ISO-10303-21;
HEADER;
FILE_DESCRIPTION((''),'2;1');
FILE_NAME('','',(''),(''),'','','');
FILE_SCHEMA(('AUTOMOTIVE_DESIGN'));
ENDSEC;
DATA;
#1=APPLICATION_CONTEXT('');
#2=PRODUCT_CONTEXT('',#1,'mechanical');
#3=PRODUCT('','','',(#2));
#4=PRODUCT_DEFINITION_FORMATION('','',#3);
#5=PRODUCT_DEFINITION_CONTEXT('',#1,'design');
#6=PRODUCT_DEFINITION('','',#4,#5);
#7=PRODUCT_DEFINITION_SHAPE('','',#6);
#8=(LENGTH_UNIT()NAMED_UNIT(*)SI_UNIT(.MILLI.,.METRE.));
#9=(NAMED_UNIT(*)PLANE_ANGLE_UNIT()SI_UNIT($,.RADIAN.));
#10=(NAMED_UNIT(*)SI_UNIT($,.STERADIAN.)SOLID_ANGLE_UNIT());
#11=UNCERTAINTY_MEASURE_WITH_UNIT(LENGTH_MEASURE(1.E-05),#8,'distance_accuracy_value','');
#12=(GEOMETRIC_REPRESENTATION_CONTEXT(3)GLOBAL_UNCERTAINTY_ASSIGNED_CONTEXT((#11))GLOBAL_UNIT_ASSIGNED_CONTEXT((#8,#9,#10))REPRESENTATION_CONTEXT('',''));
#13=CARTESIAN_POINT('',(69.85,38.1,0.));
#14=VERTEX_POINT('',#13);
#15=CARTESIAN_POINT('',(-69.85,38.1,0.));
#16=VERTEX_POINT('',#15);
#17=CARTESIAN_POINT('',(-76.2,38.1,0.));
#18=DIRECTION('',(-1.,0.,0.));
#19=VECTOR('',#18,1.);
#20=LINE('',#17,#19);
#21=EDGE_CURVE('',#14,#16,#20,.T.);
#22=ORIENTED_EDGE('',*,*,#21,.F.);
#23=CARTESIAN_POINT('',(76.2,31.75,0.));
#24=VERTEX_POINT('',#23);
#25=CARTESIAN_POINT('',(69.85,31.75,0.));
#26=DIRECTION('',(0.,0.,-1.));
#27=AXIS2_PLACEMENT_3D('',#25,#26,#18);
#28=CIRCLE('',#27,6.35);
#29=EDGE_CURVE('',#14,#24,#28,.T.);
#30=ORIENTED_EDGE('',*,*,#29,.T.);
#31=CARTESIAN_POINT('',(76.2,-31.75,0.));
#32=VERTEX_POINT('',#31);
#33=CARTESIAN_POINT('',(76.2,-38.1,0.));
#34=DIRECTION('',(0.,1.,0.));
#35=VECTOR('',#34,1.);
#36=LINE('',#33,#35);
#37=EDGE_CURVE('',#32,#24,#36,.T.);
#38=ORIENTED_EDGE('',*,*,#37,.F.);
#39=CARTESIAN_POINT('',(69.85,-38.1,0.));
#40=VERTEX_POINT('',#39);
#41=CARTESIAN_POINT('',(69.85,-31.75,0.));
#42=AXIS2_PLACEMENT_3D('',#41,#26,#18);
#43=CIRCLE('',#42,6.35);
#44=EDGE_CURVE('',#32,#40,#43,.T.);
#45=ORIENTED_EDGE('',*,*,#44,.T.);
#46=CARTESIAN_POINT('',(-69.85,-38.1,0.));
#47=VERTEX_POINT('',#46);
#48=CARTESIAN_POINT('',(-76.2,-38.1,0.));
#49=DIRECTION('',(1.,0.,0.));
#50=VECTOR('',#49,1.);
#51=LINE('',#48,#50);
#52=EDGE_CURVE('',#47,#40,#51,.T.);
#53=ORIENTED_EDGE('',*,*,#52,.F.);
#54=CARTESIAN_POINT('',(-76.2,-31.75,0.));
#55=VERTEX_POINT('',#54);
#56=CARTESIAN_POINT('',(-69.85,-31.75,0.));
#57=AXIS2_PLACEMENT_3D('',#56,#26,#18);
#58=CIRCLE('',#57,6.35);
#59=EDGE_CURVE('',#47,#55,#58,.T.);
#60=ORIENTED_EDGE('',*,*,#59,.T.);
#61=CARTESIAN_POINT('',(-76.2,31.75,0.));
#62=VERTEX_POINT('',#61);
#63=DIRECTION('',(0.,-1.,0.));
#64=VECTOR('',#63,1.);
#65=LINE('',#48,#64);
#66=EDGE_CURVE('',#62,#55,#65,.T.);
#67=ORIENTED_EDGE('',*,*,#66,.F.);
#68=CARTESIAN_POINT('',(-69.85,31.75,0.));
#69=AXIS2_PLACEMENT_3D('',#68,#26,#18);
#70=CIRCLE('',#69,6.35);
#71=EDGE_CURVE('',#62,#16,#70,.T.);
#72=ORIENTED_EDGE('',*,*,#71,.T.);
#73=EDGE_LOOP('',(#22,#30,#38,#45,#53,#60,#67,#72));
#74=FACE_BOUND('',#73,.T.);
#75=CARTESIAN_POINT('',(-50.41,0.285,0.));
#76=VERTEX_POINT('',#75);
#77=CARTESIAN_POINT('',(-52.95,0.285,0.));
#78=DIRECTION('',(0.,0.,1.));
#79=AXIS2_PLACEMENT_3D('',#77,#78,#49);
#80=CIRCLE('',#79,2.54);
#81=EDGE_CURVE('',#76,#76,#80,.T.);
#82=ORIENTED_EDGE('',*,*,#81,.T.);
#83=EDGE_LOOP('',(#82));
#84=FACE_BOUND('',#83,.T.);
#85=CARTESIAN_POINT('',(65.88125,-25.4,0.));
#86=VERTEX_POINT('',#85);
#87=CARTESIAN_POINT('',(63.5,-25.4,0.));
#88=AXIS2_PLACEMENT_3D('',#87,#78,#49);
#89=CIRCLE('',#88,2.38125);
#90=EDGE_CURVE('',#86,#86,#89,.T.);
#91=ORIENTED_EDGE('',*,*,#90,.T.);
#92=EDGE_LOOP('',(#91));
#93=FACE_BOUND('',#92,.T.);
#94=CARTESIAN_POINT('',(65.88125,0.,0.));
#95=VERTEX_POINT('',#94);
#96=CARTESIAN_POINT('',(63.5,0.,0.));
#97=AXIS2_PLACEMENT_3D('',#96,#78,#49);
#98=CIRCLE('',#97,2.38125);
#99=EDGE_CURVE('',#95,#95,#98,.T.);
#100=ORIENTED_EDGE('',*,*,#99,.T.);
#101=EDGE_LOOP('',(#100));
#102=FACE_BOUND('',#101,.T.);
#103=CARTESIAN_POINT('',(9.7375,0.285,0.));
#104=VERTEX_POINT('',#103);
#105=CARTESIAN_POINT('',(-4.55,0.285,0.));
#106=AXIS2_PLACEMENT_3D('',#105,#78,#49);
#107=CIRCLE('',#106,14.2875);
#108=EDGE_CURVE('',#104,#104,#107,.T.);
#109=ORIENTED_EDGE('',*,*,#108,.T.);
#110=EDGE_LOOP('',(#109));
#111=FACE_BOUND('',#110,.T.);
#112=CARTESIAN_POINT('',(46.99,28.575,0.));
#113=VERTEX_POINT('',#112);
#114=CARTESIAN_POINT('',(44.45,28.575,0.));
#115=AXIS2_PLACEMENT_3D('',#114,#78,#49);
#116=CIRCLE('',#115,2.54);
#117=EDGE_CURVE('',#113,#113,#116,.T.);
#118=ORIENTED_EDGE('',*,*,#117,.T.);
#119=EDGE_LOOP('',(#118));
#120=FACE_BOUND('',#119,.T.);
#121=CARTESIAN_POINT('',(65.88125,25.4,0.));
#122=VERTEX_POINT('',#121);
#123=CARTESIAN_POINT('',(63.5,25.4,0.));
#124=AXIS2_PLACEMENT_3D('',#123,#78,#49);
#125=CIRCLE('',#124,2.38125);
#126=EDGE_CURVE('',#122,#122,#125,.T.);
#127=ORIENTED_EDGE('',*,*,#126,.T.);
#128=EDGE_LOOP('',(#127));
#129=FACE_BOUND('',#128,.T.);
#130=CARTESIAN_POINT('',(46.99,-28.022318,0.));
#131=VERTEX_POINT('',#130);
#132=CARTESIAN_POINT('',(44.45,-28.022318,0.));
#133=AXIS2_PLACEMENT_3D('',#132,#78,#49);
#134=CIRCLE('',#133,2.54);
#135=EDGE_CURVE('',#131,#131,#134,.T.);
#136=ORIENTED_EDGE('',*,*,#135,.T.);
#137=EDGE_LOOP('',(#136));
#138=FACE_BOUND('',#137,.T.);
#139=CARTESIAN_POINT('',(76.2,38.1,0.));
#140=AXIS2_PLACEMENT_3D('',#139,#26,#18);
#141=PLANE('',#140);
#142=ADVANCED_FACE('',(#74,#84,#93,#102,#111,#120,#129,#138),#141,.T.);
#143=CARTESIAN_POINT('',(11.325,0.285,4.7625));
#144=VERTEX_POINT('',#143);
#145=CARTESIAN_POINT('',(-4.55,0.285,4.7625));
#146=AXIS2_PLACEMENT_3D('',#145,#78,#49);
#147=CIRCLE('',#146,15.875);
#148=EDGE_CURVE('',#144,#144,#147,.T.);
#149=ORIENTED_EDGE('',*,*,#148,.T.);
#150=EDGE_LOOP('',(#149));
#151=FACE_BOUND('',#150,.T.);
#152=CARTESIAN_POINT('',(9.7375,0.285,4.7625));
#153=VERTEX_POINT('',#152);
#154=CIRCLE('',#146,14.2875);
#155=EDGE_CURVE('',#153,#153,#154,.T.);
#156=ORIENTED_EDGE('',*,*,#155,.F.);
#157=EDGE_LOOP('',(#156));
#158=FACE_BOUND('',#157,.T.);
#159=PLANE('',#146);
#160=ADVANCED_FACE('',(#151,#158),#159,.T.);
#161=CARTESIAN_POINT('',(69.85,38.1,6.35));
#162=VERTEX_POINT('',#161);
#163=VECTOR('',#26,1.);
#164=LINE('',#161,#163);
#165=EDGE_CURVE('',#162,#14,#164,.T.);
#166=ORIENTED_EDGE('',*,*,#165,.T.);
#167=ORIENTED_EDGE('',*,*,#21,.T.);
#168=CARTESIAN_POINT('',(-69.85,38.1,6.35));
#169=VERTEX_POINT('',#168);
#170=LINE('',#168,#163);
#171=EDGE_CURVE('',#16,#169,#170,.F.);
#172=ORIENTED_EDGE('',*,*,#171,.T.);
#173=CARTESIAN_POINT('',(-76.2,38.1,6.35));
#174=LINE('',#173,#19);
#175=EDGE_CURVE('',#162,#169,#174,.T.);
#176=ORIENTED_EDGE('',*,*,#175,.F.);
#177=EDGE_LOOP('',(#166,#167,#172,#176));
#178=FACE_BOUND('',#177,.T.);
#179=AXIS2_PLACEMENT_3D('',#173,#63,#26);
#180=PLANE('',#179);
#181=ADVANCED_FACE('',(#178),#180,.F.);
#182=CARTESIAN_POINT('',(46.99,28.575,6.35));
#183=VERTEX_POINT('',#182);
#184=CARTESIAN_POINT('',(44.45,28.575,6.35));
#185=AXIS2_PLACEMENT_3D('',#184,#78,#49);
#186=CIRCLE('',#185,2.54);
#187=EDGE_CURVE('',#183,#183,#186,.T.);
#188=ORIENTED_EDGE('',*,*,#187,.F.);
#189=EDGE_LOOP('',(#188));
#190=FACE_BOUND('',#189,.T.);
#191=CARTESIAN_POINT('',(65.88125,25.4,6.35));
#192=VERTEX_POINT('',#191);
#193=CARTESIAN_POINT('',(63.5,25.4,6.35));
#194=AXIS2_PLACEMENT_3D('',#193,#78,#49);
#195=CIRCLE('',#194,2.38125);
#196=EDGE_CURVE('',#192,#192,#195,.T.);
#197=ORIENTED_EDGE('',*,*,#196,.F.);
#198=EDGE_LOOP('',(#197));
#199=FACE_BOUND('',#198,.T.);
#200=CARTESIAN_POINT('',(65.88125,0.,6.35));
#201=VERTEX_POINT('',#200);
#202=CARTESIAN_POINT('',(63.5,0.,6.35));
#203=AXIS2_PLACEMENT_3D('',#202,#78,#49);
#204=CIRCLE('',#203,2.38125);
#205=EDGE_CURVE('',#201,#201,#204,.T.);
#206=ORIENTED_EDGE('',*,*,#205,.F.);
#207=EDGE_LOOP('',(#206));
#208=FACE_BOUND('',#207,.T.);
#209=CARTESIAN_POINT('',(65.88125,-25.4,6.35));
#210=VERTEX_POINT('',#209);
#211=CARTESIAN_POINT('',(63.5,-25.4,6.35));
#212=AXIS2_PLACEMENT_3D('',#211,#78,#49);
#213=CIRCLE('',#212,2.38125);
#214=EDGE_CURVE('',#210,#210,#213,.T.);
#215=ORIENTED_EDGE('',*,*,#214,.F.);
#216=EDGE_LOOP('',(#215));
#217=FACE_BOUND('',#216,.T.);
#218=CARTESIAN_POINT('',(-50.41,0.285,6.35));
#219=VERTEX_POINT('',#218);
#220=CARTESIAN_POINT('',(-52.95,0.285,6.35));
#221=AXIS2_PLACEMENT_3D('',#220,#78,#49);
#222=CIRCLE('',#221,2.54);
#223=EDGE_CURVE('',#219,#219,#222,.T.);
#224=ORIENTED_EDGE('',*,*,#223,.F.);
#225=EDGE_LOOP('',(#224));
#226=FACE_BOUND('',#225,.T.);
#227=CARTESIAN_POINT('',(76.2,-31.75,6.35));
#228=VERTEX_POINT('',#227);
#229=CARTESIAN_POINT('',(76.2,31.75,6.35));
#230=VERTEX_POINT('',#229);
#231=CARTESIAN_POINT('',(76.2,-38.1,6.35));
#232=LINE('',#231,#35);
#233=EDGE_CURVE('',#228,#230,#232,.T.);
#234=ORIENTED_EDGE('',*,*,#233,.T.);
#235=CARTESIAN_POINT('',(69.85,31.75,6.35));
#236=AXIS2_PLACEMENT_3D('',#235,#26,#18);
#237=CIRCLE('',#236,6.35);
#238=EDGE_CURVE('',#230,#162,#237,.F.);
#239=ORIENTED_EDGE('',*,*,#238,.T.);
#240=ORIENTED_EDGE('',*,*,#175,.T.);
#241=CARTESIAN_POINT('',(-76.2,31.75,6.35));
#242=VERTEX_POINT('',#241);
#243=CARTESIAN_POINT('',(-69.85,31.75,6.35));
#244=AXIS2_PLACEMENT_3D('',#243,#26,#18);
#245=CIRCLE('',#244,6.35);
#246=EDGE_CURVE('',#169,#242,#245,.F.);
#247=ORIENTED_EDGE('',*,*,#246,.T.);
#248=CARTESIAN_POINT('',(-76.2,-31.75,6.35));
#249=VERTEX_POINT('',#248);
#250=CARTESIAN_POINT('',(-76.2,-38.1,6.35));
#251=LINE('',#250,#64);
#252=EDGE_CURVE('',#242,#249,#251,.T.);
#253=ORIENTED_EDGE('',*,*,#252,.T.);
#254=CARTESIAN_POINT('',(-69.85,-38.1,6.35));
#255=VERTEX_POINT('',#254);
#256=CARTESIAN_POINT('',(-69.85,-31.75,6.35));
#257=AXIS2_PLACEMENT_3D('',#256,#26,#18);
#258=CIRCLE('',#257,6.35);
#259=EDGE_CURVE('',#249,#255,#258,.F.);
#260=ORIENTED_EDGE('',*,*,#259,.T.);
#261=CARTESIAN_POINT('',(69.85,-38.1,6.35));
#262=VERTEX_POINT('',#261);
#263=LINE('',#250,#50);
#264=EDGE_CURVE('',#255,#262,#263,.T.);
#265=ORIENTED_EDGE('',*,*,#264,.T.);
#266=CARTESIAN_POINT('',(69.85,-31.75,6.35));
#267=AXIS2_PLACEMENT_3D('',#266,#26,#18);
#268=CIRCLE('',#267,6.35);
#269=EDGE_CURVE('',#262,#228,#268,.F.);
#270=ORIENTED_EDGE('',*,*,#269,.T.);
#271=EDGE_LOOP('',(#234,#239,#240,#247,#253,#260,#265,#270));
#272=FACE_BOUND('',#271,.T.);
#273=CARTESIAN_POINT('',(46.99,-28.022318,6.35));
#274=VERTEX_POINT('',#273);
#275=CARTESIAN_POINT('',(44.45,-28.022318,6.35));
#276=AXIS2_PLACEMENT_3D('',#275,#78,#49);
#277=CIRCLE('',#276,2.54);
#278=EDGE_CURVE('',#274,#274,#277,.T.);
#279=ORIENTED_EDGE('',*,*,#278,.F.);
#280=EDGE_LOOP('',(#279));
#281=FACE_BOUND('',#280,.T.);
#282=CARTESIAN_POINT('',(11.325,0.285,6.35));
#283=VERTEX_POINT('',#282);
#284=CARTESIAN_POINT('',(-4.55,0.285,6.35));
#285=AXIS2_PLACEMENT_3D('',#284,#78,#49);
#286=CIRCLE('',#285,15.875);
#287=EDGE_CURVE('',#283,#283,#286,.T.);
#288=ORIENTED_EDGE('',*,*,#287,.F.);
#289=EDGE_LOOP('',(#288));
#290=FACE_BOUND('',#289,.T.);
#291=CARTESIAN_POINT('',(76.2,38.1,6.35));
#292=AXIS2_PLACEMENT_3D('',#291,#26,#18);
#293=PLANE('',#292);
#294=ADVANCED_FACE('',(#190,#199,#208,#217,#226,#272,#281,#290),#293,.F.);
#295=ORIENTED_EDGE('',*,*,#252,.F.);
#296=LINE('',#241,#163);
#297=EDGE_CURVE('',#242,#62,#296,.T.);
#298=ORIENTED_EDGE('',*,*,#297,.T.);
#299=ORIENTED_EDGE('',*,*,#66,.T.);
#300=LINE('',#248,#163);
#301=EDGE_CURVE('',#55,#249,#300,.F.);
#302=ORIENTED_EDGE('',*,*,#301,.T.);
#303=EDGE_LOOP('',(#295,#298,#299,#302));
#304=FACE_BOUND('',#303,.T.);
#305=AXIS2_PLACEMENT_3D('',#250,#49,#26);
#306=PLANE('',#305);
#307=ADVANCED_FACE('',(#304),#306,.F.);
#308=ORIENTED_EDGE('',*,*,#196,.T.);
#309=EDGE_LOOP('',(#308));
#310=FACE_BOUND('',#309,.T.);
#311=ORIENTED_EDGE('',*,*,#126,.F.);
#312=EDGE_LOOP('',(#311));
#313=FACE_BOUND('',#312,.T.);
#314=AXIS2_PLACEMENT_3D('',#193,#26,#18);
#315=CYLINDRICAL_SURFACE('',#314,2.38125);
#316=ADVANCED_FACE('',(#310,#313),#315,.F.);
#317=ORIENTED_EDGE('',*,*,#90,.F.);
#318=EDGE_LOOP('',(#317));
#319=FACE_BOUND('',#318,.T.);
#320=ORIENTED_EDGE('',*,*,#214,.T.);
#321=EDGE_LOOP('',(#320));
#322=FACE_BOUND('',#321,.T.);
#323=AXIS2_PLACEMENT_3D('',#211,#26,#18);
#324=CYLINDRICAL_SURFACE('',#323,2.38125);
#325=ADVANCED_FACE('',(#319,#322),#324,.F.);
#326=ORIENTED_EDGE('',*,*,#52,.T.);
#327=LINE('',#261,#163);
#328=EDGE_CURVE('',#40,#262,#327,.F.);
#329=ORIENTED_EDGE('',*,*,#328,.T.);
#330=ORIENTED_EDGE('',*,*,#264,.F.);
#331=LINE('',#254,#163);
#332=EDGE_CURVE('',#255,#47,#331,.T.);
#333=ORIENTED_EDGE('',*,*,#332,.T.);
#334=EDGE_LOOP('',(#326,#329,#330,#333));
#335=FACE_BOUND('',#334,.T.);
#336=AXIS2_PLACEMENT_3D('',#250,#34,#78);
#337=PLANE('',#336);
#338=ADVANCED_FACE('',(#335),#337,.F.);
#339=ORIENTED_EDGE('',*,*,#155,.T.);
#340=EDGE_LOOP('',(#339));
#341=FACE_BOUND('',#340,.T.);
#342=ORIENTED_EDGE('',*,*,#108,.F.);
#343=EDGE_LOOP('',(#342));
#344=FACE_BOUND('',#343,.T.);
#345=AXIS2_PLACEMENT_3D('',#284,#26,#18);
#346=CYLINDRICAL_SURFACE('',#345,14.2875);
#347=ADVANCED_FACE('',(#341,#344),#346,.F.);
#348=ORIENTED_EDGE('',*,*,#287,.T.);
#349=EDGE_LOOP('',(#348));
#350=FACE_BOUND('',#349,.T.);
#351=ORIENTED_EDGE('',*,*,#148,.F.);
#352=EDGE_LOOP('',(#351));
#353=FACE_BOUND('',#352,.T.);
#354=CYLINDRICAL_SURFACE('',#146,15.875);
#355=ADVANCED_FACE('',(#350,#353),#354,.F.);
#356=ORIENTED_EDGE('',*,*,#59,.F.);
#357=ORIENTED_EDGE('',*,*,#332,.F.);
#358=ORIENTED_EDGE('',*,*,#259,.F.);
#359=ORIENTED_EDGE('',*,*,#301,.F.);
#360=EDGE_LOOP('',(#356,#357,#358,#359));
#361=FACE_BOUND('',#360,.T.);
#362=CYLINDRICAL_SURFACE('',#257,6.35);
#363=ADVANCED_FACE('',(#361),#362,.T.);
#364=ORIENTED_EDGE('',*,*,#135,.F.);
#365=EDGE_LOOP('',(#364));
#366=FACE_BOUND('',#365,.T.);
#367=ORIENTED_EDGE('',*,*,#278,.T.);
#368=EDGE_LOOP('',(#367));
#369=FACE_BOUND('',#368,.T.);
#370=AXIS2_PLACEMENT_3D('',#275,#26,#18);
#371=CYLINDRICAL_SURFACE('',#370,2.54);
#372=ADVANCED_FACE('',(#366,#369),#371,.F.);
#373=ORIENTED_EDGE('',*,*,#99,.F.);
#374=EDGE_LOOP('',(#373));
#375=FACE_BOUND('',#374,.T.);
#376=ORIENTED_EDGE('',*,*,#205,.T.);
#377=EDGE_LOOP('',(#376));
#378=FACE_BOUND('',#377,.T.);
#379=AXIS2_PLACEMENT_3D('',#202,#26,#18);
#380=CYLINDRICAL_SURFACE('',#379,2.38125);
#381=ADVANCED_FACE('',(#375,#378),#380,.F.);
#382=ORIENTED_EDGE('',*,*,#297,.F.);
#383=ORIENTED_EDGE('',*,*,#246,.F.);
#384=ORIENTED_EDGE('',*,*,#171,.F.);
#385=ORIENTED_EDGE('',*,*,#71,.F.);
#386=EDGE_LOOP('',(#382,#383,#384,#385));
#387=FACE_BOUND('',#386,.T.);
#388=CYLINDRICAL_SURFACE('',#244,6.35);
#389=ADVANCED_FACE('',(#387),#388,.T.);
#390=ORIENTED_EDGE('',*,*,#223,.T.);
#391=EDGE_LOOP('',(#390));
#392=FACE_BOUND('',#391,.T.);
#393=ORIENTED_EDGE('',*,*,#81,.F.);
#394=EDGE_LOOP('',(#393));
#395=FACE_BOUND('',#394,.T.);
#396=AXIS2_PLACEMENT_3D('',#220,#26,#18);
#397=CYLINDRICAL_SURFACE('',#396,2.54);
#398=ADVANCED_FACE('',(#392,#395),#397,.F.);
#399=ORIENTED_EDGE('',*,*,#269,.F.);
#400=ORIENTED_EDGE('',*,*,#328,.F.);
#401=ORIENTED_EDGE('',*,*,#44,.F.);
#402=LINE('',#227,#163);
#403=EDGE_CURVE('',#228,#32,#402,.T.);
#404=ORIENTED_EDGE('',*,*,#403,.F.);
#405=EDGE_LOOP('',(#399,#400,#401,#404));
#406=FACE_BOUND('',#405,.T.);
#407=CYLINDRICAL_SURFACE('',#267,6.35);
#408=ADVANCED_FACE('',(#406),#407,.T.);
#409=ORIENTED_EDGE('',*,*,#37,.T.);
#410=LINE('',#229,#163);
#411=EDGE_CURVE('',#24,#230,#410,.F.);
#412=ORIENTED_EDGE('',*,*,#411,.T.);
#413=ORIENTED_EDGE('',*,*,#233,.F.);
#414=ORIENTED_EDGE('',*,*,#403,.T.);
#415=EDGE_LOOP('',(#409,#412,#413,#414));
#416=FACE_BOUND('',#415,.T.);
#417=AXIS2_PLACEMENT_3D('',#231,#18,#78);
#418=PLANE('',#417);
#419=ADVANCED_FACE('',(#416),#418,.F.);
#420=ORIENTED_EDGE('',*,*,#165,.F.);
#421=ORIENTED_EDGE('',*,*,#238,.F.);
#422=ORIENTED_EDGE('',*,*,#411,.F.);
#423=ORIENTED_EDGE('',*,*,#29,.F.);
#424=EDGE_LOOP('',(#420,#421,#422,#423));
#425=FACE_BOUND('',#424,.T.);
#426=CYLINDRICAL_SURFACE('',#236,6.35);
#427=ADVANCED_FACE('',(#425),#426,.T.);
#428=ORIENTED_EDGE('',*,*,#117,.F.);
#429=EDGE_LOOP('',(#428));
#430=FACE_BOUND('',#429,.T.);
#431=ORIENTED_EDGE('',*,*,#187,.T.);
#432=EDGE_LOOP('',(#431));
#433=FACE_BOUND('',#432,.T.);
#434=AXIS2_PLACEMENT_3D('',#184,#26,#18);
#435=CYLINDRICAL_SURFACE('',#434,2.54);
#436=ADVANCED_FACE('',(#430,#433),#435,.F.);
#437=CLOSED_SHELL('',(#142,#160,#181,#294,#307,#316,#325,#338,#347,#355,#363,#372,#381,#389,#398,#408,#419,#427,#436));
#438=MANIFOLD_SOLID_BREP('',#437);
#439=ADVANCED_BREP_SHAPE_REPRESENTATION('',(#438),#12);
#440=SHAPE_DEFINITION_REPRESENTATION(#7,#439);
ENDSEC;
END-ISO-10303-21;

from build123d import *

# Parameters (mm, degrees)
SKETCH1_W           = 152.4
SKETCH1_H           = 76.2
SKETCH1_R           = 2.54
SKETCH1_R_2         = 2.38125
SKETCH1_R_3         = 14.2875
BOSS_EXTRUDE1_DEPTH = 6.35
FILLET1_R           = 6.35
SKETCH2_R           = 15.875
CUT_EXTRUDE1_DEPTH  = 1.5875


with BuildPart() as part:
    # Sketch1 → Boss-Extrude1 (new body)
    with BuildSketch(Plane.XY):
        Rectangle(SKETCH1_W, SKETCH1_H)
        with Locations((44.45, 28.575)):
            Circle(SKETCH1_R, mode=Mode.SUBTRACT)
        with Locations((44.45, -28.022317844)):
            Circle(SKETCH1_R, mode=Mode.SUBTRACT)
        with Locations((63.5, 25.4)):
            Circle(SKETCH1_R_2, mode=Mode.SUBTRACT)
        with Locations((63.5, 0)):
            Circle(SKETCH1_R_2, mode=Mode.SUBTRACT)
        with Locations((63.5, -25.4)):
            Circle(SKETCH1_R_2, mode=Mode.SUBTRACT)
        with Locations((-4.550000044, 0.284999938)):
            Circle(SKETCH1_R_3, mode=Mode.SUBTRACT)
        with Locations((-52.950000018, 0.284999938)):
            Circle(SKETCH1_R, mode=Mode.SUBTRACT)
    extrude(amount=BOSS_EXTRUDE1_DEPTH)

    # Fillet1
    fillet1_edges = [part.edges().sort_by_distance(p)[0] for p in [
        (76.2, -38.1, 3.175),
        (-76.2, -38.1, 3.175),
        (-76.2, 38.1, 3.175),
        (76.2, 38.1, 3.175),
    ]]
    fillet(fillet1_edges, radius=FILLET1_R)

    # Sketch2 → Cut-Extrude1 (cut)
    with BuildSketch(Plane.XY.offset(6.35)):
        with Locations((-4.550000044, 0.284999938)):
            Circle(SKETCH2_R)
    extrude(amount=-CUT_EXTRUDE1_DEPTH, mode=Mode.SUBTRACT)


solid = part.part
